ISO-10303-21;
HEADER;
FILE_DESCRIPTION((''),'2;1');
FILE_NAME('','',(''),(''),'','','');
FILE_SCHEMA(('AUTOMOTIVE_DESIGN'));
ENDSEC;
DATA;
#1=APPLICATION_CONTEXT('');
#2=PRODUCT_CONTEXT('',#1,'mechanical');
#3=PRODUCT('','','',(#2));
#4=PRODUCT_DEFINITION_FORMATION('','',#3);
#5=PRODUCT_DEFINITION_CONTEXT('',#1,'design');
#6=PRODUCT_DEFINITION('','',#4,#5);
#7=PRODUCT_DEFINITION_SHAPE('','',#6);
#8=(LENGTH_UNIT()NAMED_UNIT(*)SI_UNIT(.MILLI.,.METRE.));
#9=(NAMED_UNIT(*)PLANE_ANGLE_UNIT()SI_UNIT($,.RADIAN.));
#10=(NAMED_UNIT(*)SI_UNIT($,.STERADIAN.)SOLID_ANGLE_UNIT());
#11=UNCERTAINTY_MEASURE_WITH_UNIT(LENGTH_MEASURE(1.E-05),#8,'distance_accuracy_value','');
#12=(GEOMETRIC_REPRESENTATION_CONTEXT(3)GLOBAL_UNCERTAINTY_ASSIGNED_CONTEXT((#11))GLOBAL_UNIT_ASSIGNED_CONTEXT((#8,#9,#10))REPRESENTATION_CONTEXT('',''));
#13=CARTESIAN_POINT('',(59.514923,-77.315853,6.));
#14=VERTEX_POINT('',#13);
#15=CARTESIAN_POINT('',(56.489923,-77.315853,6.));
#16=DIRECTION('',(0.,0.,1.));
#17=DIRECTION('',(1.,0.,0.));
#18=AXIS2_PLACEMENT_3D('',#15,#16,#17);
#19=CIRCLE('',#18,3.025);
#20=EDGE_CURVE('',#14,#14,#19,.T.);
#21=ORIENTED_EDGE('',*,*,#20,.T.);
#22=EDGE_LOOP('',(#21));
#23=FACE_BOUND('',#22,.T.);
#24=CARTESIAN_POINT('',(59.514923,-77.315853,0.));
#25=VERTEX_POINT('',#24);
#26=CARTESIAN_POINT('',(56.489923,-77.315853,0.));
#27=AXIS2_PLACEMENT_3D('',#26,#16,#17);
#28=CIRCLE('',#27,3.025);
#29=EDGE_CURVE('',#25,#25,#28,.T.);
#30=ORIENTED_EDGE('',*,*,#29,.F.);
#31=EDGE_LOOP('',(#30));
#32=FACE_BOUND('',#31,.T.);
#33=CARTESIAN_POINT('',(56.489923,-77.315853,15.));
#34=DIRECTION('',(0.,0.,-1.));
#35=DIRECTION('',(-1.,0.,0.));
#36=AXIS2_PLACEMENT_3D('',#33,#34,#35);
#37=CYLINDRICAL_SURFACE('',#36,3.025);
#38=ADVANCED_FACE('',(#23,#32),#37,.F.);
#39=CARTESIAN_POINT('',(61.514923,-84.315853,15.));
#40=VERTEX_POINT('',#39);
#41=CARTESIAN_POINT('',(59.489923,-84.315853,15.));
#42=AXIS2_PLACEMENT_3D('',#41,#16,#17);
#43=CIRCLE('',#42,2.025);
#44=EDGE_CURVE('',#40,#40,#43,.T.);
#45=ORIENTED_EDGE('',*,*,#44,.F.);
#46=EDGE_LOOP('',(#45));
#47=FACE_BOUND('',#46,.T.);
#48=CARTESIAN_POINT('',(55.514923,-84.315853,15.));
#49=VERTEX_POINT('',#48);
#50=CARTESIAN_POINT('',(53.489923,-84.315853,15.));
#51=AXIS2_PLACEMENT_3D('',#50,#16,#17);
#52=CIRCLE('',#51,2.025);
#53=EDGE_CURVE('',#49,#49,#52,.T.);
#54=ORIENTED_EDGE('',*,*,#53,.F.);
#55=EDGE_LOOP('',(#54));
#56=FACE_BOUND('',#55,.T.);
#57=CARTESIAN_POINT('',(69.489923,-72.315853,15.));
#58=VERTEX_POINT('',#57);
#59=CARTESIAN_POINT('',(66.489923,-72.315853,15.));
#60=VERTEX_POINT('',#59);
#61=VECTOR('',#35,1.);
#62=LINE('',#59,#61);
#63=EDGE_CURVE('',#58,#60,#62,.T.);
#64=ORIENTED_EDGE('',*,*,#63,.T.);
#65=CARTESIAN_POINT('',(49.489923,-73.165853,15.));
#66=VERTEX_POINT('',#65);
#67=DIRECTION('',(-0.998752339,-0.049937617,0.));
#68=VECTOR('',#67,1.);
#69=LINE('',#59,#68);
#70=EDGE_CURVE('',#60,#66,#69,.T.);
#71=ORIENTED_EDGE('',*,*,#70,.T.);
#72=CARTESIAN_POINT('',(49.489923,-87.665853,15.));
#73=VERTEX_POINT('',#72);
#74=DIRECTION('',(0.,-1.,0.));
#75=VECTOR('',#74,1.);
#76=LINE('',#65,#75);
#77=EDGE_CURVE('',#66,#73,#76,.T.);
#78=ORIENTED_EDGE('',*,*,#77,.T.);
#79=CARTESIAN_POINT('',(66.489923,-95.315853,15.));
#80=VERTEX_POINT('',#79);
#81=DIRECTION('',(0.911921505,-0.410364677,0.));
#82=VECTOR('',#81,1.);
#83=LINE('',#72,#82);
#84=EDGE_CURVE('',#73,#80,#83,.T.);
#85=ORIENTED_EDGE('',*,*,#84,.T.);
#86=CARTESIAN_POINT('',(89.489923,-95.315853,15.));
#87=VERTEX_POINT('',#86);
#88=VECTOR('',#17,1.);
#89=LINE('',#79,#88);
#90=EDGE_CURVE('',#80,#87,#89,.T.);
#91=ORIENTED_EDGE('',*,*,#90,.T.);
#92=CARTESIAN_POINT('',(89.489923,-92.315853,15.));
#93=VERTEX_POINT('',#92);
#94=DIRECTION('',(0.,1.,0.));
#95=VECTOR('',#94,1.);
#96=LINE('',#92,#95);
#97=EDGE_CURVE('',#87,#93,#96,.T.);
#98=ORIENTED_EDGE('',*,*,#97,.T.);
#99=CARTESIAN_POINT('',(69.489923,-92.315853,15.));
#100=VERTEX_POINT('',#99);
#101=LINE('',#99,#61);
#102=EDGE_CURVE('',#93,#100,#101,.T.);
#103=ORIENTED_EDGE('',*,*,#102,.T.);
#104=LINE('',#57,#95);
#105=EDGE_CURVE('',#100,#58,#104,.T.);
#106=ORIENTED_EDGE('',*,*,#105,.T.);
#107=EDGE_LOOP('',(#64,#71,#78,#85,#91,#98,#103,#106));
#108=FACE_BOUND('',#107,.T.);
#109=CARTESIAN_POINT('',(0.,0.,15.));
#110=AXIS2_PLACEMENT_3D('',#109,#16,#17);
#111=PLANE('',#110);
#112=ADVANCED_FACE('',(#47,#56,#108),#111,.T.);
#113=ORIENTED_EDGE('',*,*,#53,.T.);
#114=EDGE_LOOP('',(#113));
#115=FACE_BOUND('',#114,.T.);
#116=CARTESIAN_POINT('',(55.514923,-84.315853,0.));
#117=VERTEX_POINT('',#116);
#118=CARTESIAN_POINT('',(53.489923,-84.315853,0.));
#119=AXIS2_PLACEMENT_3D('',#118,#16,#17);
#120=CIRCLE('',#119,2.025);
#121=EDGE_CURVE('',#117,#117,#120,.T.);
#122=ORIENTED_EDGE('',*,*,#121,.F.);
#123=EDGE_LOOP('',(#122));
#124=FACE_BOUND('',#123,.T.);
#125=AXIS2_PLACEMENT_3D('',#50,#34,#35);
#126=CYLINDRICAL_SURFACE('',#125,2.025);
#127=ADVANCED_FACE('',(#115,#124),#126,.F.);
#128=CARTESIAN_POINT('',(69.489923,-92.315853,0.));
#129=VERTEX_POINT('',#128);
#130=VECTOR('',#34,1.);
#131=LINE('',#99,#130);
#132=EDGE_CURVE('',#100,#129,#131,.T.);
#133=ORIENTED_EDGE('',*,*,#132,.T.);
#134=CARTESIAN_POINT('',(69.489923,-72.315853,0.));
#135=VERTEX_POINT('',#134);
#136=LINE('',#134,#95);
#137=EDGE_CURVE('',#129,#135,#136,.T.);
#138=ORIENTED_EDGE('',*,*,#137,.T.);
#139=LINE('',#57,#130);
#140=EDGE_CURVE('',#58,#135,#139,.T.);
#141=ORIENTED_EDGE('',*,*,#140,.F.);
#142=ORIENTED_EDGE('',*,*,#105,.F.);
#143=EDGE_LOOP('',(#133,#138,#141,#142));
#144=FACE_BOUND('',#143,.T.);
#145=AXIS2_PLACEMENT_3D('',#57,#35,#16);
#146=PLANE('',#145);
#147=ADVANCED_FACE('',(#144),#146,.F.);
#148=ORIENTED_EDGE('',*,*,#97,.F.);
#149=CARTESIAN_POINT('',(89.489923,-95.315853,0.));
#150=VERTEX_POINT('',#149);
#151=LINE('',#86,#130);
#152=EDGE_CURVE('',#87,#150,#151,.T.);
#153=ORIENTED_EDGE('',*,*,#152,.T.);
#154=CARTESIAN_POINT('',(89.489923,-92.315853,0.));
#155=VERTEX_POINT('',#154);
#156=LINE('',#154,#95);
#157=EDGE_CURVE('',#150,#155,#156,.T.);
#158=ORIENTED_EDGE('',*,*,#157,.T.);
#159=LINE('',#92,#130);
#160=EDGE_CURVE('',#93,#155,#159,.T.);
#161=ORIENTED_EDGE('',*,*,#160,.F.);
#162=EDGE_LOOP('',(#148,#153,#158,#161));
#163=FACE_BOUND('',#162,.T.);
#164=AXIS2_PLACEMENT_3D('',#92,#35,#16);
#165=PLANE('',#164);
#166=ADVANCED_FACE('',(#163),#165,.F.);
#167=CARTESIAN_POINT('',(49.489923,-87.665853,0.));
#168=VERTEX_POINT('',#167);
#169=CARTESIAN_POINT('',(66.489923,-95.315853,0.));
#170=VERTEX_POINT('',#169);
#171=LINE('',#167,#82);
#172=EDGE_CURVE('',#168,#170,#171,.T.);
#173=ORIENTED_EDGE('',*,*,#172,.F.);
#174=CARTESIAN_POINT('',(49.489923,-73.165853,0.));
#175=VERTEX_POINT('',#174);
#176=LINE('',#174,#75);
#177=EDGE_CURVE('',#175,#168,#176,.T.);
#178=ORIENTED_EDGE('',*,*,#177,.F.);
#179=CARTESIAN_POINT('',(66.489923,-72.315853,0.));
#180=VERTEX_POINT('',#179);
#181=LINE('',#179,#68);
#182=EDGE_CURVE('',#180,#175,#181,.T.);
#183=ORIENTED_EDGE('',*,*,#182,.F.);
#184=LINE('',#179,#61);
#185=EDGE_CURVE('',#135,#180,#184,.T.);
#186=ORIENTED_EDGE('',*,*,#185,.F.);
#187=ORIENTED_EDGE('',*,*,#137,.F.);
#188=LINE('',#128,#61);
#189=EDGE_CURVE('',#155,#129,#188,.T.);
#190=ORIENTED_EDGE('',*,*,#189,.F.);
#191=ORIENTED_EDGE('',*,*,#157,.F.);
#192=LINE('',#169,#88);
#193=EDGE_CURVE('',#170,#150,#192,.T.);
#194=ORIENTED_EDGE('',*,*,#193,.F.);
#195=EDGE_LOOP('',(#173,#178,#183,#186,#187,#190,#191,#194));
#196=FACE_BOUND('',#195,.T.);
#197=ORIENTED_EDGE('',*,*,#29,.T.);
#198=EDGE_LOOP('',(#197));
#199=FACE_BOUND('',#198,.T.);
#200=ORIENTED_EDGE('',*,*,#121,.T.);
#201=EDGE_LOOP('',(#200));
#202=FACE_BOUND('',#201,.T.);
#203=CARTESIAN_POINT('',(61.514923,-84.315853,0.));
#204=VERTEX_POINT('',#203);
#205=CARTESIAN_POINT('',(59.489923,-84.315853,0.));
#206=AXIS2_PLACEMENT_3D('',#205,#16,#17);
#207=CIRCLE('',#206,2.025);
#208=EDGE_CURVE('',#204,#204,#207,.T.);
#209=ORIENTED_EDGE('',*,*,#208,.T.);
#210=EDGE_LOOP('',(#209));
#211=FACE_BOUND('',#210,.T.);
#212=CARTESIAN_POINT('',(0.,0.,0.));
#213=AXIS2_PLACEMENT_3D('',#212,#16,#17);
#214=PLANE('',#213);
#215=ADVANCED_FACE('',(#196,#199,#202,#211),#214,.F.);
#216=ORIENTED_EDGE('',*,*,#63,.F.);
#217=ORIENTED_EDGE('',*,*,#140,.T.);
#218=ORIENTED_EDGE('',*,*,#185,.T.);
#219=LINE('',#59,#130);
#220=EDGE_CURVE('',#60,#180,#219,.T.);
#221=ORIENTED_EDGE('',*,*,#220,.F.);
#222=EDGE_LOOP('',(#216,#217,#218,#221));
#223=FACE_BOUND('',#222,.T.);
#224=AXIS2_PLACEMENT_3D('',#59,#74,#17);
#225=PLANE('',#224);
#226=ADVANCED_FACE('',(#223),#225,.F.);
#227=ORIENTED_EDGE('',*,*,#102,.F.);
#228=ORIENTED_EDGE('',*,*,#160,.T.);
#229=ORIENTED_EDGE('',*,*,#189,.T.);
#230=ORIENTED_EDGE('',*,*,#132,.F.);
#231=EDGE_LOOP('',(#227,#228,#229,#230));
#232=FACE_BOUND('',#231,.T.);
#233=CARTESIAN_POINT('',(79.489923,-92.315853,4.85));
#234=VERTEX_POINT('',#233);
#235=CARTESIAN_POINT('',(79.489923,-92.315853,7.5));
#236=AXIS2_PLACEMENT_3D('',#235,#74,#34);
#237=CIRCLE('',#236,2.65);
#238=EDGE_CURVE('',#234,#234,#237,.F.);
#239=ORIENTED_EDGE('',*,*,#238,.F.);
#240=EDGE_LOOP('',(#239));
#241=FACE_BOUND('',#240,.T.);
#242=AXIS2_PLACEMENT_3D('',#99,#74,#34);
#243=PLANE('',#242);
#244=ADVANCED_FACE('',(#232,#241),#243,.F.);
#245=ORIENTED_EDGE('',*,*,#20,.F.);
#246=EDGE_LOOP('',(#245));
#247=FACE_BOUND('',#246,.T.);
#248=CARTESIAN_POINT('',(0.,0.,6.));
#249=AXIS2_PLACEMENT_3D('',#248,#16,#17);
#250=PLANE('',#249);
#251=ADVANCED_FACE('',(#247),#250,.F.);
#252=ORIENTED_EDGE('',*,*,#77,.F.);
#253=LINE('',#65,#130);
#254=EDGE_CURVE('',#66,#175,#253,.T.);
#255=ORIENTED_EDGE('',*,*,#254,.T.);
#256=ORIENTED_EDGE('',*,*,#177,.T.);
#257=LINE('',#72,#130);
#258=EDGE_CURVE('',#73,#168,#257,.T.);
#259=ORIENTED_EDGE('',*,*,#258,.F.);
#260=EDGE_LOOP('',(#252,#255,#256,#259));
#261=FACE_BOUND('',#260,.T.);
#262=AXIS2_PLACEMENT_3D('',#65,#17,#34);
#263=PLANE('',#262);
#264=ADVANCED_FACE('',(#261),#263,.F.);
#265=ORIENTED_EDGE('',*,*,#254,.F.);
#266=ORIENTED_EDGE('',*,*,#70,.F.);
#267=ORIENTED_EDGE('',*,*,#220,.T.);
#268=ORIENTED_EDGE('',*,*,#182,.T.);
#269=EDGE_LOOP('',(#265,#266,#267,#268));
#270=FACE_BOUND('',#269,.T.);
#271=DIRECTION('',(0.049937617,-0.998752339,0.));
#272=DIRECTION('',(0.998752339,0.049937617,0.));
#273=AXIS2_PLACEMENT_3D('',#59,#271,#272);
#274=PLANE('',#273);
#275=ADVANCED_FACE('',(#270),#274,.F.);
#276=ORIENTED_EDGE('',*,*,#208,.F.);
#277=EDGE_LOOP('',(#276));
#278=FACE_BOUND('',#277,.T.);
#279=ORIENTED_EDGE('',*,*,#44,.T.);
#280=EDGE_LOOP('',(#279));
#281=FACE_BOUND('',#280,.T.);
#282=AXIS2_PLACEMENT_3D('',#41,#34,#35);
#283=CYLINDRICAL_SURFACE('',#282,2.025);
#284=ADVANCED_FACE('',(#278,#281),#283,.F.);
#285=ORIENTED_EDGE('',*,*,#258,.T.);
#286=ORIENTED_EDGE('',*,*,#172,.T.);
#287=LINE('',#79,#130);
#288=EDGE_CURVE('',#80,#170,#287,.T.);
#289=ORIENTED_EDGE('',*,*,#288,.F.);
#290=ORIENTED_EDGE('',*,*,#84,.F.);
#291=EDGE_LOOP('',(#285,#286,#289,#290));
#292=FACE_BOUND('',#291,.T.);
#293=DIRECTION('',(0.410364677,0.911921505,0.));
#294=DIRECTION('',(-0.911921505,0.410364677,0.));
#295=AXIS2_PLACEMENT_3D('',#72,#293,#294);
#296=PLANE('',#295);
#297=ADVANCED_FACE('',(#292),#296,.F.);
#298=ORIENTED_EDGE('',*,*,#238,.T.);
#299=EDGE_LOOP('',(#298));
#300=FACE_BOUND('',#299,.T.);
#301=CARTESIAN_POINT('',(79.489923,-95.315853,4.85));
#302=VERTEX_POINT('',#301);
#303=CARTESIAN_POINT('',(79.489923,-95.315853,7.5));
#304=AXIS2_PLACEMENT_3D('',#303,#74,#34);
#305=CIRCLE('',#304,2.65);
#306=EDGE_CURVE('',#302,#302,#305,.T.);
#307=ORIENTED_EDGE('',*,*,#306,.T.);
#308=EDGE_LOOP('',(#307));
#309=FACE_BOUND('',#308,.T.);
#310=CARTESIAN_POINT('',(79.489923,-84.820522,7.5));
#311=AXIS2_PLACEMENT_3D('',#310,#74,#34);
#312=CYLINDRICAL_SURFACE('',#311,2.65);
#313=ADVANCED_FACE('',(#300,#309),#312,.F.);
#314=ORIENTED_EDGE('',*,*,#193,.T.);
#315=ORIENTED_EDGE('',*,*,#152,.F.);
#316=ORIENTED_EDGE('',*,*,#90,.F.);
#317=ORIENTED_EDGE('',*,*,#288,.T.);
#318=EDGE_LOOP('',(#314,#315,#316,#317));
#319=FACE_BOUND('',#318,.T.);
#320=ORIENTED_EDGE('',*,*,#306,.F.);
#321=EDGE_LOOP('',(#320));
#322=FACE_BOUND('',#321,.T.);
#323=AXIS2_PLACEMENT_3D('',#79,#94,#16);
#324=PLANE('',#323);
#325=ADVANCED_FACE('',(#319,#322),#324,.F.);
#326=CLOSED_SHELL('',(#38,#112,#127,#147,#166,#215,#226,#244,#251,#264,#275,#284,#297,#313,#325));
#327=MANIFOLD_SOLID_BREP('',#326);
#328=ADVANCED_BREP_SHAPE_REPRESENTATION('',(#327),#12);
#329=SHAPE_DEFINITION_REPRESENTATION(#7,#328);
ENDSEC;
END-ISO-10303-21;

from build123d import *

# Parameters (mm, degrees)
SKETCH1_R           = 3.025
SKETCH1_R_2         = 2.025
BOSS_EXTRUDE1_DEPTH = 15
BOSS_EXTRUDE2_START = 6
SKETCH1_2_R         = 3.025
BOSS_EXTRUDE2_DEPTH = 9
SKETCH2_R           = 2.65
CUT_EXTRUDE1_DEPTH  = 3


with BuildPart() as part:
    # Sketch1 → Boss-Extrude1 (new body)
    with BuildSketch(Plane.XY):
        Polygon((66.489922843, -72.31585339), (69.489922843, -72.31585339), (69.489922843, -92.31585339), (89.489922843, -92.31585339), (89.489922843, -95.31585339), (66.489922843, -95.31585339), (49.489922843, -87.66585339), (49.489922843, -73.16585339), align=None)
        with Locations((56.489922843, -77.31585339)):
            Circle(SKETCH1_R, mode=Mode.SUBTRACT)
        with Locations((53.489922843, -84.31585339)):
            Circle(SKETCH1_R_2, mode=Mode.SUBTRACT)
        with Locations((59.489922843, -84.31585339)):
            Circle(SKETCH1_R_2, mode=Mode.SUBTRACT)
    extrude(amount=BOSS_EXTRUDE1_DEPTH)

    # Sketch1<2> → Boss-Extrude2 (add)
    with BuildSketch(Plane.XY.offset(BOSS_EXTRUDE2_START)):
        with Locations((56.489922843, -77.31585339)):
            Circle(SKETCH1_2_R)
    extrude(amount=BOSS_EXTRUDE2_DEPTH)

    # Sketch2 → Cut-Extrude1 (cut)
    with BuildSketch(Plane.XZ.offset(95.31585339)):
        with Locations((79.489922843, 7.5)):
            Circle(SKETCH2_R)
    extrude(amount=-CUT_EXTRUDE1_DEPTH, mode=Mode.SUBTRACT)


solid = part.part
